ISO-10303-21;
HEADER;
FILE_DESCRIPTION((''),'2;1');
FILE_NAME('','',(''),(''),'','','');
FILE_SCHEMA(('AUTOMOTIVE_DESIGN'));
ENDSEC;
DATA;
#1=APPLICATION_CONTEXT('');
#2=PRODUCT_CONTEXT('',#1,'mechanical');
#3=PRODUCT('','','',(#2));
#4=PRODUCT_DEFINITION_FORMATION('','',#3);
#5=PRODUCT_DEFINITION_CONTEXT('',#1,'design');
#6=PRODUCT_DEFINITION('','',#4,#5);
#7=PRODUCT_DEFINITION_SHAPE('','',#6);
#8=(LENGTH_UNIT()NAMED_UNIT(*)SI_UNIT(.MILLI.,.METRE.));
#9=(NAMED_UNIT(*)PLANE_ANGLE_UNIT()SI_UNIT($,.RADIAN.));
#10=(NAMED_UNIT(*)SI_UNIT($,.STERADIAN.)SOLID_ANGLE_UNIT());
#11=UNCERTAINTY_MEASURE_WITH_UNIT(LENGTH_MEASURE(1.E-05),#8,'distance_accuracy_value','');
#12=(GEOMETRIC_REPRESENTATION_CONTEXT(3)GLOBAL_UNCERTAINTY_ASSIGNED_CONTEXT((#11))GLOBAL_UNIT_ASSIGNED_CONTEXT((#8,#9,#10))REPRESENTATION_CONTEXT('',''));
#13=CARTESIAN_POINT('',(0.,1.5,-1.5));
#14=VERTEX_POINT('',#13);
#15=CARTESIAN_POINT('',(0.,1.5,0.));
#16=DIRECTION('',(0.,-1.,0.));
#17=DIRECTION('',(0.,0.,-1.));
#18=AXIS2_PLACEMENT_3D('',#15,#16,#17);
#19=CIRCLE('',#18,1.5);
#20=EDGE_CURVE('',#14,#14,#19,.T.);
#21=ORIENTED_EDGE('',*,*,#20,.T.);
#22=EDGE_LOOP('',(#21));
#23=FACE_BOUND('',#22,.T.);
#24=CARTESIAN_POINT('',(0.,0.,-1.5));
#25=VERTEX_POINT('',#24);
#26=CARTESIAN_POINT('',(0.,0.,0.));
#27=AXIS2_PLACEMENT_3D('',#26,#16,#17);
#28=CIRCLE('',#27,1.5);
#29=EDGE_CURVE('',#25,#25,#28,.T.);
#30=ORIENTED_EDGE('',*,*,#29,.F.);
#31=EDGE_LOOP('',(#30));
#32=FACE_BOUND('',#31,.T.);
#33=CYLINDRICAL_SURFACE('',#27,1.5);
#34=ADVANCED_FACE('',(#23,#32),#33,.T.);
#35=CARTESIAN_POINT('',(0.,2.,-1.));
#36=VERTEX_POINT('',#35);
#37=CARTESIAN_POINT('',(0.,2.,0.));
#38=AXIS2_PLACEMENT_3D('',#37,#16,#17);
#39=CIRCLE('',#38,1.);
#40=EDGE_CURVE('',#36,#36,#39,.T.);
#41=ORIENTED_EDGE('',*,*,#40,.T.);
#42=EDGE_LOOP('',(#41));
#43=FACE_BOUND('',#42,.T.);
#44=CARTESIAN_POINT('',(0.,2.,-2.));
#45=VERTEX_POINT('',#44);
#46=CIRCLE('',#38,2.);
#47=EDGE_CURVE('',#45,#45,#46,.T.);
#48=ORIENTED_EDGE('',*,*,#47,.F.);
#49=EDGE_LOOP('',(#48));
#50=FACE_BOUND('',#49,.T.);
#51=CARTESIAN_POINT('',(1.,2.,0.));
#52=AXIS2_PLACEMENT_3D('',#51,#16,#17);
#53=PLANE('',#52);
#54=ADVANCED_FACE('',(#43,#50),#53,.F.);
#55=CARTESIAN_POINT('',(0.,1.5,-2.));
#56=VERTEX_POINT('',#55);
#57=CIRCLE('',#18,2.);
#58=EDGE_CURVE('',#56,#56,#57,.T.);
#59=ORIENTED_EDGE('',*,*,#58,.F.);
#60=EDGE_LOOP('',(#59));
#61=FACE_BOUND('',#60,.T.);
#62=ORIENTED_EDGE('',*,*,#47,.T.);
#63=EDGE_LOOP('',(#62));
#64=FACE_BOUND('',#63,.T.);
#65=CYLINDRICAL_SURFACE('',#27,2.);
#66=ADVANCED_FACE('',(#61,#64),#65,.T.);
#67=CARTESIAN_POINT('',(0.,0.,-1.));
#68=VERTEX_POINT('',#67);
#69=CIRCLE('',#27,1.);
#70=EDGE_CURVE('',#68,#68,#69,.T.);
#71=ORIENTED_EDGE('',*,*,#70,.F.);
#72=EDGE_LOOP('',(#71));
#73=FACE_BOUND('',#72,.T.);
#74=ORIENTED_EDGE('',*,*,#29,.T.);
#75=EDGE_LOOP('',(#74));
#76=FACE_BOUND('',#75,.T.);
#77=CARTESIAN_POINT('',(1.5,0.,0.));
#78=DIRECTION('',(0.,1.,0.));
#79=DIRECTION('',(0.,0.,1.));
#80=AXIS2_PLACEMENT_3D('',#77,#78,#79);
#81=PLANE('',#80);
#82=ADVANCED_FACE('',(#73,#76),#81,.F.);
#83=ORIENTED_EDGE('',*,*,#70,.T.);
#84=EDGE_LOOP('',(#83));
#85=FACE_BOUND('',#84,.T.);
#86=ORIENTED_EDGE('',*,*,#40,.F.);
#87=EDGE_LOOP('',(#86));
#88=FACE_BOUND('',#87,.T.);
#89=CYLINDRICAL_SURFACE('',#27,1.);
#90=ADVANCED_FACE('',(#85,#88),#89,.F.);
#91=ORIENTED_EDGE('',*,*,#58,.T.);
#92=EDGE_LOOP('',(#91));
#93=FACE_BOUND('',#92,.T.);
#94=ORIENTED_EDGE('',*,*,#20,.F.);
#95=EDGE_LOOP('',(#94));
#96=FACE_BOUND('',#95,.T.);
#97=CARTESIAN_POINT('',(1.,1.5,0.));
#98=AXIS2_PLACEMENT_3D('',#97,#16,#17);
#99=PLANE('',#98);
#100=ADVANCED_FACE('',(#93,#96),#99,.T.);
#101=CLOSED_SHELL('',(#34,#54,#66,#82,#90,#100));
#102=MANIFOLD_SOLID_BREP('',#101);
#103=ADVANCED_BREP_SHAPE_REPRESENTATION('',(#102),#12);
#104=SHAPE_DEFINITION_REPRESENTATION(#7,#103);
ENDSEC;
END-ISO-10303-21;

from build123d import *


with BuildPart() as part:
    # Sketch1 → Revolve-Thin1 (revolve)
    with BuildSketch(Plane.XY, mode=Mode.PRIVATE) as revolve_thin1_sk:
        Polygon((1, 0), (1, 2), (2, 2), (2, 1.5), (1.5, 1.5), (1.5, 0), align=None)
    revolve(revolve_thin1_sk.sketch.rotate(Axis((0, 0, 0), (0, 1, 0)), 90), axis=Axis((0, 0, 0), (0, 1, 0)))


solid = part.part
